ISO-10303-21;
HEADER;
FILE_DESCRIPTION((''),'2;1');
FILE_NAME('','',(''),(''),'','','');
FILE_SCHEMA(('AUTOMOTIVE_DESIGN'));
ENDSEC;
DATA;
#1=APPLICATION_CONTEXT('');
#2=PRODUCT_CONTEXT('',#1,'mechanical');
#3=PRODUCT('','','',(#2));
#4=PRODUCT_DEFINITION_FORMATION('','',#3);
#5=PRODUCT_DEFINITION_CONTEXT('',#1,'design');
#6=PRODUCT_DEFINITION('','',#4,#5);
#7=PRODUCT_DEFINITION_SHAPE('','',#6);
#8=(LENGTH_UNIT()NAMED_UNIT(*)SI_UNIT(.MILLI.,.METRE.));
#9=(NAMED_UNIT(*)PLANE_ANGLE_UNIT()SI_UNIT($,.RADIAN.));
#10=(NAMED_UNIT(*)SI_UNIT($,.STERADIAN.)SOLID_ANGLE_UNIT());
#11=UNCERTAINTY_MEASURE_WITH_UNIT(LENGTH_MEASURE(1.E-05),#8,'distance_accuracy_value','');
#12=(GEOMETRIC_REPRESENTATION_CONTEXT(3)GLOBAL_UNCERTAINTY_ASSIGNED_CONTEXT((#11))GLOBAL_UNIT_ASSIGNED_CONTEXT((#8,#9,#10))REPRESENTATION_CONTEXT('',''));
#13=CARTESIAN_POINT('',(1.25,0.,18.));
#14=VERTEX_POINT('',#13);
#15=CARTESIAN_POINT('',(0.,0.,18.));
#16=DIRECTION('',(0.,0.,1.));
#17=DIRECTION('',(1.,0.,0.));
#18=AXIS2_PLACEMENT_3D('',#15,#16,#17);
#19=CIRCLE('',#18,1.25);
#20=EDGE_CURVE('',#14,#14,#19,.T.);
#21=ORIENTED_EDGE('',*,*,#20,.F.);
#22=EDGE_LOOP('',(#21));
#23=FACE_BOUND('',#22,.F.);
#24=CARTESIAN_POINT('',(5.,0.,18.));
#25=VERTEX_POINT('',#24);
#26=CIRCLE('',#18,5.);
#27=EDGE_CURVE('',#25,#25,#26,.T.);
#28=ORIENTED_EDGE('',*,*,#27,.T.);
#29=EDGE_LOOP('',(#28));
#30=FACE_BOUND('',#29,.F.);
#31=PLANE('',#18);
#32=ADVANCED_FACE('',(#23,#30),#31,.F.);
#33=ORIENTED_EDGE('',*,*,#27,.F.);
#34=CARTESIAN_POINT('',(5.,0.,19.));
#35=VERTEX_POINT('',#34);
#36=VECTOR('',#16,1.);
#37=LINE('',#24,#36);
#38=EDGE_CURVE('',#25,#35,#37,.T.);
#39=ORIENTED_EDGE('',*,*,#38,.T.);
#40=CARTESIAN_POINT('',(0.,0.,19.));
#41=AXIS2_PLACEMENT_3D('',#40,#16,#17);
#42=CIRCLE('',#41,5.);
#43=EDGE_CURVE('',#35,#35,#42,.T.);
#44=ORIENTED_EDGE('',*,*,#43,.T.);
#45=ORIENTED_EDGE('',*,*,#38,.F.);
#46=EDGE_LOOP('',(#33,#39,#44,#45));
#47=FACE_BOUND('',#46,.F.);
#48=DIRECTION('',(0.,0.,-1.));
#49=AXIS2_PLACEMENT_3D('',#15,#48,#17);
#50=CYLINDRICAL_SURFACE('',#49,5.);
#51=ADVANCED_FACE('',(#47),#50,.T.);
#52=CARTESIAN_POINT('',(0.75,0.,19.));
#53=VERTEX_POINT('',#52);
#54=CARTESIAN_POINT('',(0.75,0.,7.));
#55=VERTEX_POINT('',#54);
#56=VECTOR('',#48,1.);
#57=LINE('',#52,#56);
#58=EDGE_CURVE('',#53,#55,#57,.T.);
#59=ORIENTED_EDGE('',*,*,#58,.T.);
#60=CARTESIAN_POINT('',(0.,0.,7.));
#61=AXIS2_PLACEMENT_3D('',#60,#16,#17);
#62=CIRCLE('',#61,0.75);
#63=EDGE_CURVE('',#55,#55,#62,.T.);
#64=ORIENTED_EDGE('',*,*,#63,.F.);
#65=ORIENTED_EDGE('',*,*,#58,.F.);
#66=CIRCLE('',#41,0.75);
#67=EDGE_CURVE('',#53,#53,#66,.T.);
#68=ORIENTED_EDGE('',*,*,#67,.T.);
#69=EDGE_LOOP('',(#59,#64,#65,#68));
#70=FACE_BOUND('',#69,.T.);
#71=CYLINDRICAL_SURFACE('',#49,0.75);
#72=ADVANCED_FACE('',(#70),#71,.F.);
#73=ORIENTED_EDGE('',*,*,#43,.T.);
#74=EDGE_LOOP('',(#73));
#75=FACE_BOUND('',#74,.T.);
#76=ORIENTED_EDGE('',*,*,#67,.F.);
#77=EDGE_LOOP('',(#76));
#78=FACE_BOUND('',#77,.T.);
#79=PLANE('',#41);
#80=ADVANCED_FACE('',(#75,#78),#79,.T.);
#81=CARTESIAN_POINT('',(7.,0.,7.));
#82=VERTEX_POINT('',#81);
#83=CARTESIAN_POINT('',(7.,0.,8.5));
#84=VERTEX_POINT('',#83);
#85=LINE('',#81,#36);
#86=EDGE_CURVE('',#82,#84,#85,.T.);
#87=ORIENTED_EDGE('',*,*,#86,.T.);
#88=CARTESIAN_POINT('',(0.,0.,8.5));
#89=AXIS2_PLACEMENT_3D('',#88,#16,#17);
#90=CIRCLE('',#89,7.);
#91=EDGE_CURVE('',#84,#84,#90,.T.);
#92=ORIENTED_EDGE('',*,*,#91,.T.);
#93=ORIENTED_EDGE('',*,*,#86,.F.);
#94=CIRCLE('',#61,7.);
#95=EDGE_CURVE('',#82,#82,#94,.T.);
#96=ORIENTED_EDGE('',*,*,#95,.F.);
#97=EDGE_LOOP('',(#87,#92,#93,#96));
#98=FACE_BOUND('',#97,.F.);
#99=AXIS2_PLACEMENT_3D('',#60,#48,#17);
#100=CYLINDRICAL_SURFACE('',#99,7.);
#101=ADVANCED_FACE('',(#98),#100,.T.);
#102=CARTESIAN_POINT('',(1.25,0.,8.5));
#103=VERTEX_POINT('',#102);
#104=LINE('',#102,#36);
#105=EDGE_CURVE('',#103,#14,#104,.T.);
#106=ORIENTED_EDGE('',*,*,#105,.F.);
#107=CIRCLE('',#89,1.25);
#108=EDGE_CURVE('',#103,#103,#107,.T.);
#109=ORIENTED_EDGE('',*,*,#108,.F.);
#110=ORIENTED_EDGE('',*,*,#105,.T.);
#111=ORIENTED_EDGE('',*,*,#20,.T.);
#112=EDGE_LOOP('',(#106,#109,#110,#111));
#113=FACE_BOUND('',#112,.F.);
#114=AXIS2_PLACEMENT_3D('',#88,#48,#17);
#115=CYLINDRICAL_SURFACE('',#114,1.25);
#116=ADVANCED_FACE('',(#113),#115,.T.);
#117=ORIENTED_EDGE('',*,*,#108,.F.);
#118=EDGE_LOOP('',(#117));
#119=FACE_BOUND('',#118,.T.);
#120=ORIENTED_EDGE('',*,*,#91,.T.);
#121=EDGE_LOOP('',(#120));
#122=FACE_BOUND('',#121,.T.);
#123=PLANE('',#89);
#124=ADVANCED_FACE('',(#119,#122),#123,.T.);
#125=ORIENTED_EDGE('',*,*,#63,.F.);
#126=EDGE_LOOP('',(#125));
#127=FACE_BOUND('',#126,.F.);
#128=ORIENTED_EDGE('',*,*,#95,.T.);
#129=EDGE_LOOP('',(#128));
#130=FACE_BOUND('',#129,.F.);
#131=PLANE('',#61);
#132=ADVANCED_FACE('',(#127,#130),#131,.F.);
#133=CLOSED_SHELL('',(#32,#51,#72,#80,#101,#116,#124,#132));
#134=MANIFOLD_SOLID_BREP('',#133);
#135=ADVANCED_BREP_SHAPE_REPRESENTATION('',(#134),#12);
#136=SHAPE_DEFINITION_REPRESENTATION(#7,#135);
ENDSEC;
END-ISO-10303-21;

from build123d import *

# Parameters (mm, degrees)
F1_R     = 7
F1_R_2   = 0.75
F2_DEPTH = 1.5
F3_R     = 1.25
F3_R_2   = 0.75
F4_DEPTH = 9.5
F5_R     = 5
F5_R_2   = 1.25
F5_R_3   = 0.75
F6_DEPTH = 1


with BuildPart() as f2:
    # F1 (on offset) → F2 (new body)
    with BuildSketch(Plane.XY.offset(7)):
        Circle(F1_R)
        Circle(F1_R_2, mode=Mode.SUBTRACT)
    extrude(amount=F2_DEPTH)

    # F3 (on face) → F4 (join)
    with BuildSketch(Plane.XY.offset(8.5)):
        Circle(F3_R)
        Circle(F3_R_2, mode=Mode.SUBTRACT)
    extrude(amount=F4_DEPTH)

    # F5 (on face) → F6 (join)
    with BuildSketch(Plane.XY.offset(18)):
        Circle(F5_R)
        Circle(F5_R_2, mode=Mode.SUBTRACT)
        Circle(F5_R_2)
        Circle(F5_R_3, mode=Mode.SUBTRACT)
    extrude(amount=F6_DEPTH)


solid = f2.part
